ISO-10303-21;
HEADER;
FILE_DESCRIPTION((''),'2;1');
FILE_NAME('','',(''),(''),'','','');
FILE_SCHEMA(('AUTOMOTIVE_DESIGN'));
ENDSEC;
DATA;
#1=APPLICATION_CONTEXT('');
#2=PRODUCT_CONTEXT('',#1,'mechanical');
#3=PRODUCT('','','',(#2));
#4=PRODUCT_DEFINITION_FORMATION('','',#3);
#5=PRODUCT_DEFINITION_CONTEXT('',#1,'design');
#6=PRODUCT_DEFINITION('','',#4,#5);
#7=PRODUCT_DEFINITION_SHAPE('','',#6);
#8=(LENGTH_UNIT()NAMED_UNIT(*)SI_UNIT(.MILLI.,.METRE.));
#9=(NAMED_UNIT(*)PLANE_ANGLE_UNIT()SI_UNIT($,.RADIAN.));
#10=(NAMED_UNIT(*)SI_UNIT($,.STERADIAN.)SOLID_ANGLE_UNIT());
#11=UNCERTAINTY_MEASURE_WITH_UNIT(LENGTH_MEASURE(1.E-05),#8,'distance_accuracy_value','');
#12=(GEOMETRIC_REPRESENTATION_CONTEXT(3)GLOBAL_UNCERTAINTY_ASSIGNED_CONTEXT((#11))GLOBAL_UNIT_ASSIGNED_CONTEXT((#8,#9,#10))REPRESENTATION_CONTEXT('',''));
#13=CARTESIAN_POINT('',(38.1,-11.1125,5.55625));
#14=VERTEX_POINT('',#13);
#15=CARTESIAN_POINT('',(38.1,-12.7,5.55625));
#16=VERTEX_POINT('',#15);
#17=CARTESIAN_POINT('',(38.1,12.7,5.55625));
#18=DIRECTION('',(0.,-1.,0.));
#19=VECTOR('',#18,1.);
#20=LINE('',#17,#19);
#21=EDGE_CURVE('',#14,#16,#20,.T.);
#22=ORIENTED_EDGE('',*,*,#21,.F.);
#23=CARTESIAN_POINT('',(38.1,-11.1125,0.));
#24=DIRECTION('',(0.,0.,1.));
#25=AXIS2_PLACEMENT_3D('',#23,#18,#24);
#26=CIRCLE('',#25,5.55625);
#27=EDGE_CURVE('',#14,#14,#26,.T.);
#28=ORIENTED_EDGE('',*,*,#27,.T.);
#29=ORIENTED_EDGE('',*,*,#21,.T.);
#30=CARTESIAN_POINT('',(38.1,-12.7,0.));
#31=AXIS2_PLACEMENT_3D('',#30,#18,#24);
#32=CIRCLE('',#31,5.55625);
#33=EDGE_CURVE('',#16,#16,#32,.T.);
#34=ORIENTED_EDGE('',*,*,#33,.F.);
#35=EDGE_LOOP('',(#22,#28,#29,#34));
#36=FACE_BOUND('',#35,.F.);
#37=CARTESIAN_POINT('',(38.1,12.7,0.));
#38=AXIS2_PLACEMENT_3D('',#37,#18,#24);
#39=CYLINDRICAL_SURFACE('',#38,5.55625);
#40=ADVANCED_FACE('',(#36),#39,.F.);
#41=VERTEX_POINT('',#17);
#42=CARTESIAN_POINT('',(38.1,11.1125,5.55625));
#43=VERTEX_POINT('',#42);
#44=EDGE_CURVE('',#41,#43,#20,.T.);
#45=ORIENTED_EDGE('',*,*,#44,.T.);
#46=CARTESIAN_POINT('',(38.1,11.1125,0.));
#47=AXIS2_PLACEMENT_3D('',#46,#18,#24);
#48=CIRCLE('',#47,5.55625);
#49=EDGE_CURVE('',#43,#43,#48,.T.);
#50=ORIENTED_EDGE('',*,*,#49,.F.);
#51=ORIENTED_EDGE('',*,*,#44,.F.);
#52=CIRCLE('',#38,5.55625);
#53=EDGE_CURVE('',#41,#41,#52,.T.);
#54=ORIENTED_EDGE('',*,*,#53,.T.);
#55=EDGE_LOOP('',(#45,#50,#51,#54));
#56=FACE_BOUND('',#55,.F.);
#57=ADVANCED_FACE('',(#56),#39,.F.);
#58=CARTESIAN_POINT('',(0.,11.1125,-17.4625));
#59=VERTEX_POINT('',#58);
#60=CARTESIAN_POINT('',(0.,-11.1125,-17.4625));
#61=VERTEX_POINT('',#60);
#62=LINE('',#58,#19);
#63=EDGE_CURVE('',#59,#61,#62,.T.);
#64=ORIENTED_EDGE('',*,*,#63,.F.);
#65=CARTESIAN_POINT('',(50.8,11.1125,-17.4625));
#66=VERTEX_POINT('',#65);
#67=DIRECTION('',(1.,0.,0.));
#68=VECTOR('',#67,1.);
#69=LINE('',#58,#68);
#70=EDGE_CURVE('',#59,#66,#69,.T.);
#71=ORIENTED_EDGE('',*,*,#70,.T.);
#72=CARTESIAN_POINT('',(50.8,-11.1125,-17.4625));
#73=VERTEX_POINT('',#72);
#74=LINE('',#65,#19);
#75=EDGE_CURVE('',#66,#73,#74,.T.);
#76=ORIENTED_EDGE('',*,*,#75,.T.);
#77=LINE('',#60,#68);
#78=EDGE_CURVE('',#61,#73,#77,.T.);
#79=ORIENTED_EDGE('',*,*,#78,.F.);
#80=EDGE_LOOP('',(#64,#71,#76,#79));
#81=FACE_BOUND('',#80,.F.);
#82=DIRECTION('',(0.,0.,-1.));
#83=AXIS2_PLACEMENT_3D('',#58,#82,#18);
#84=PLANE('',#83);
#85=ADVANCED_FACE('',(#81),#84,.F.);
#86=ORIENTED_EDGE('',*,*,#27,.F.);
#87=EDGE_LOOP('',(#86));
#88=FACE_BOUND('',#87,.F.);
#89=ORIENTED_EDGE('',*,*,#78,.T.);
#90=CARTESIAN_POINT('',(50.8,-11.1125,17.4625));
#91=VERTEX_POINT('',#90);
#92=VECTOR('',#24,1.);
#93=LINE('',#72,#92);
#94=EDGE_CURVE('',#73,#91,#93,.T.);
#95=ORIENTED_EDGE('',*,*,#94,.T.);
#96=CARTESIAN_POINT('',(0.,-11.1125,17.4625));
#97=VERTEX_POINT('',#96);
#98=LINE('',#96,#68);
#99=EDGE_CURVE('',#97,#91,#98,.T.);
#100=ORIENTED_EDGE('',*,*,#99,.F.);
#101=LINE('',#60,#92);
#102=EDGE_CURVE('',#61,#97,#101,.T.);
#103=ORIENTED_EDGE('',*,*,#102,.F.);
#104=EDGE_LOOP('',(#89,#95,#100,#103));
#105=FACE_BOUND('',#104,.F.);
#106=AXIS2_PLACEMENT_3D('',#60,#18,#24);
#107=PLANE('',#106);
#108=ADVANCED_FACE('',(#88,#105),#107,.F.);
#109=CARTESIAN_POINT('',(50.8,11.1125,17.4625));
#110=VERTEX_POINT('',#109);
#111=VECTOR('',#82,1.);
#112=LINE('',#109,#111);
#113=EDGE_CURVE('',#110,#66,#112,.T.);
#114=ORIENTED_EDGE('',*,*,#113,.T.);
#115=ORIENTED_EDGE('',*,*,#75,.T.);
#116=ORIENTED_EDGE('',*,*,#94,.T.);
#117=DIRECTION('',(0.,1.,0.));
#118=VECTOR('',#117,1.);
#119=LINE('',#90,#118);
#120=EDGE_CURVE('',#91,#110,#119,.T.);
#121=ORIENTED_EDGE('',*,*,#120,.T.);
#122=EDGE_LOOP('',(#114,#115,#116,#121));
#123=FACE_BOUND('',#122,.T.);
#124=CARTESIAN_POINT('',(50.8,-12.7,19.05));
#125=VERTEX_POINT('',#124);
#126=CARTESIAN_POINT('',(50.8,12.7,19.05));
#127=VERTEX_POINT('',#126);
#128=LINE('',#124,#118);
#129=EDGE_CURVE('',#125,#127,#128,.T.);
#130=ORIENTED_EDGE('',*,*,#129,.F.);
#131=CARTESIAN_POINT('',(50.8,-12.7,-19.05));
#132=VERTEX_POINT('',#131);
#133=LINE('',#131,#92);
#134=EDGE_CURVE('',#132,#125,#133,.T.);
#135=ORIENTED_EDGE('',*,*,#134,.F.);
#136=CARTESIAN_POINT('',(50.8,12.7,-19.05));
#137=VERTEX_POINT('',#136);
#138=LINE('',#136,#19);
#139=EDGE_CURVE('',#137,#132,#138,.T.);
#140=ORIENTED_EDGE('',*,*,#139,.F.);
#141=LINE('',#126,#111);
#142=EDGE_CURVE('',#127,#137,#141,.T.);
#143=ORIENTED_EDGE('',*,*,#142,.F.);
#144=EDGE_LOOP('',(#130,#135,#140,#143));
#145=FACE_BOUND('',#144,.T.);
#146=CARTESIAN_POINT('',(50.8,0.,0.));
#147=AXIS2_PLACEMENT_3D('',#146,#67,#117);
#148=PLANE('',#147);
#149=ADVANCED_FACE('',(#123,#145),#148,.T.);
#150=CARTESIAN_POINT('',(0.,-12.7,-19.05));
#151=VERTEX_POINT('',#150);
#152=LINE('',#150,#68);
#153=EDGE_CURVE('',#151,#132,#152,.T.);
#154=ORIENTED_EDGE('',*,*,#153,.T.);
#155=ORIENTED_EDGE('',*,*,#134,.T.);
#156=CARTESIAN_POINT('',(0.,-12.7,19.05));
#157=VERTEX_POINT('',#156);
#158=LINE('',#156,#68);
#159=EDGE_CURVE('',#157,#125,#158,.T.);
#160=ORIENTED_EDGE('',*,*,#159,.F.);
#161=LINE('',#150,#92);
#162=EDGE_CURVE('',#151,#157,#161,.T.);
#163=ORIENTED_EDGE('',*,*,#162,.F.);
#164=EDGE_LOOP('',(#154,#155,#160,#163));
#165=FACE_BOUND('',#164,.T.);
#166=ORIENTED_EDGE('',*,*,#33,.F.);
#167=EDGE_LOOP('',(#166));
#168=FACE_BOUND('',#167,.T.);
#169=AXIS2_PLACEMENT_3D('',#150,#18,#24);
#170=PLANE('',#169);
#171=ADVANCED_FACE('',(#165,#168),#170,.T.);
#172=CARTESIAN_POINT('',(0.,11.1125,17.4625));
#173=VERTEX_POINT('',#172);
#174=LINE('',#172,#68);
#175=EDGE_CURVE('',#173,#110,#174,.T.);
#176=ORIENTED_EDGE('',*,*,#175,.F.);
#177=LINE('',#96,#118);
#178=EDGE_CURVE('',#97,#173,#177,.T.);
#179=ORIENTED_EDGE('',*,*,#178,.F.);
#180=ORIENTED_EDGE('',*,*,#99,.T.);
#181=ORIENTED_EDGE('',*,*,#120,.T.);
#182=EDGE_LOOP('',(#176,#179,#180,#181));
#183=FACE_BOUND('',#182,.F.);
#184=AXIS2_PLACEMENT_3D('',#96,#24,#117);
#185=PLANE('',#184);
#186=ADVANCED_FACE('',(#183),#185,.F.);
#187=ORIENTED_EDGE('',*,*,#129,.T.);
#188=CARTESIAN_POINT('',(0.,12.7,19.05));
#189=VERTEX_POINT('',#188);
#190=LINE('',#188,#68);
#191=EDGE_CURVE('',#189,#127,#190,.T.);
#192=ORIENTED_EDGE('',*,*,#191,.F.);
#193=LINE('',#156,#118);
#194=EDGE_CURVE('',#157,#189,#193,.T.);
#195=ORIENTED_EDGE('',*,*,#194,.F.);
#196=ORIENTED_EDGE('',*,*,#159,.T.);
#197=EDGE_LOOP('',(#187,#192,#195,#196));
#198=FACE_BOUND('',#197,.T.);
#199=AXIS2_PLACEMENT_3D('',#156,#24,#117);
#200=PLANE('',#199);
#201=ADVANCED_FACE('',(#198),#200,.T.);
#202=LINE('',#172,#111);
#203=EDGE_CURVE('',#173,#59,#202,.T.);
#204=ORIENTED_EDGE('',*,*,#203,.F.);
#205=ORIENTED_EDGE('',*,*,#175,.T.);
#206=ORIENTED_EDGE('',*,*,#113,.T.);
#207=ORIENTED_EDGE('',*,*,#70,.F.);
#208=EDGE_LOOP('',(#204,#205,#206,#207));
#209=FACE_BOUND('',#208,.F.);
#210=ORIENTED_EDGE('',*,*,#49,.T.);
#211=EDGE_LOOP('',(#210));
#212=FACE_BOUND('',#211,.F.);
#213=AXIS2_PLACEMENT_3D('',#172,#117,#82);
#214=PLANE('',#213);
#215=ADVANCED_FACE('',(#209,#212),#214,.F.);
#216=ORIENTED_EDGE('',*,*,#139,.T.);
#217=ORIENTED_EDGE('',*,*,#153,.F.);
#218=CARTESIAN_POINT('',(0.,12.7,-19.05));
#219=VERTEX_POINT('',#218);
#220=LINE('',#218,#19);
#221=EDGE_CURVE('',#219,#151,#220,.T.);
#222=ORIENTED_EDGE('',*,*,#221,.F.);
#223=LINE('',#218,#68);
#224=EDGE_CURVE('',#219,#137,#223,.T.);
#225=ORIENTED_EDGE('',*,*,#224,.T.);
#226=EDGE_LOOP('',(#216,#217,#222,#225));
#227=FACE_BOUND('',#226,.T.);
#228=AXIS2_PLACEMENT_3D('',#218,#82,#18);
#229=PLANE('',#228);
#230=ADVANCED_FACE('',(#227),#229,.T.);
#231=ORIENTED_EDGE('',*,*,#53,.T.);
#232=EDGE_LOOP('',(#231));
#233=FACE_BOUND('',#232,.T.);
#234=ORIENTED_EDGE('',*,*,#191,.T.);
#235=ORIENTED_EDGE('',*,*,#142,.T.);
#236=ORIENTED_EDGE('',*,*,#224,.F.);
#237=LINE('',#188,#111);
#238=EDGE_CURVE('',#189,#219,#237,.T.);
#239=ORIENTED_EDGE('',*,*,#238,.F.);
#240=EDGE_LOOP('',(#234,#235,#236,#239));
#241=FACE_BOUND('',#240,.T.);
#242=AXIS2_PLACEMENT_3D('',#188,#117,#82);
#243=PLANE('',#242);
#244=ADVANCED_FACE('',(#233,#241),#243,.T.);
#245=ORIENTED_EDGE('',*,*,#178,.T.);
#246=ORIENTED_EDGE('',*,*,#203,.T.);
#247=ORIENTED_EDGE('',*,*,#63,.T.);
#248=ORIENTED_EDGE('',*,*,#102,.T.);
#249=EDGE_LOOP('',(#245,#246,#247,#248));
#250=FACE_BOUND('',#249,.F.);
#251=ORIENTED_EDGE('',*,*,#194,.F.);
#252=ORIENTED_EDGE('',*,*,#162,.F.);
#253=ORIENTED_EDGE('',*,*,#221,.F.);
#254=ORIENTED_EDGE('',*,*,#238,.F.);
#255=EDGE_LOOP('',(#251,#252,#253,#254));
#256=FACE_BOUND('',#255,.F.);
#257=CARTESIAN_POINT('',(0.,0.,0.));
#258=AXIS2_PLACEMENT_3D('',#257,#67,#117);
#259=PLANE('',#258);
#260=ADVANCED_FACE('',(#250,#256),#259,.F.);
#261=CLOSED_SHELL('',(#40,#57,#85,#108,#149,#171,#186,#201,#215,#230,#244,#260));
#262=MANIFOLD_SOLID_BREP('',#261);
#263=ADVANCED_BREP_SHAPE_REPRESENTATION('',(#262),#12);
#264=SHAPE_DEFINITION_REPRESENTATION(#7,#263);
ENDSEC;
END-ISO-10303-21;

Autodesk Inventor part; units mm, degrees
ref_plane "Work Plane3" through (0, 12.7, 0) normal (0, 1, 0) x (-1, 0, 0)
ref_plane "Start Plane" through (0, 0, 0) normal (1, 0, 0) x (0, 1, 0)
ref_plane "End Plane" through (50.8, 0, 0) normal (1, 0, 0) x (0, 1, 0)
sketch "Sketch" plane through (0, 0, 0) normal (1, 0, 0) x (0, 1, 0)
  line L0 (-12.7, 19.05) -> (12.7, 19.05)
  line L1 (12.7, 19.05) -> (12.7, -19.05)
  line L2 (12.7, -19.05) -> (-12.7, -19.05)
  line L3 (-12.7, -19.05) -> (-12.7, 19.05)
  line L4 (-12.7, 19.05) -> (12.7, -19.05) construction
  line L5 (12.7, 19.05) -> (-12.7, -19.05) construction
  line L6 (-11.1125, 17.4625) -> (11.1125, 17.4625)
  line L7 (11.1125, 17.4625) -> (11.1125, -17.4625)
  line L8 (11.1125, -17.4625) -> (-11.1125, -17.4625)
  line L9 (-11.1125, -17.4625) -> (-11.1125, 17.4625)
  line L10 (-11.1125, 17.4625) -> (11.1125, -17.4625) construction
  line L11 (11.1125, 17.4625) -> (-11.1125, -17.4625) construction
  point P0 (0, 0)
  dimension "d0" = 38.1
  dimension "d1" = 25.4
  dimension "d2" = 1.5875
  dimension "d3" = 1.5875
extrude "Body" add sketch "Sketch" along normal up to surface (50.8 mm away) from surface at 0
sketch "Sketch8" plane through (0, 0, 0) normal (1, 0, 0) x (0, 1, 0)
  line L0 (0, 0) -> (10, 0)
ref_plane "Work Plane6" through (0, 0, 0) normal (0, 0, -1) x (0, 1, 0)
sketch "Sketch9" plane through (0, 0, 0) normal (0, 0, -1) x (0, 1, 0)
  line L0 (-17.78, 0) -> (17.78, 0)
  line L1 (-17.78, 50.8) -> (17.78, 50.8)
  dimension "d21" = 50.8
sketch "Sketch5" plane through (0, 12.7, -19.05) normal (0, 1, 0) x (1, 0, 0)
  line L0 (0, -38.1) -> (0, 0) projected
  point P0 (0, -19.05)
  point P1 (38.1, -19.05)
  dimension "d22" = 38.1
hole "Hole2" at (38.1, 12.7, 0) direction (0, -1, 0) diameter 11.1125 end through all
equation "\"d3\" = d2"
equation "\"G_OFFSET_START\" = 0"
equation "\"G_OFFSET_END\" = 0"
equation "\"d17\" = d4 + G_OFFSET_END"
equation "\"G_L\" = d21"
equation "\"d4\" = 50.8"
properties part number "1606067192052"
